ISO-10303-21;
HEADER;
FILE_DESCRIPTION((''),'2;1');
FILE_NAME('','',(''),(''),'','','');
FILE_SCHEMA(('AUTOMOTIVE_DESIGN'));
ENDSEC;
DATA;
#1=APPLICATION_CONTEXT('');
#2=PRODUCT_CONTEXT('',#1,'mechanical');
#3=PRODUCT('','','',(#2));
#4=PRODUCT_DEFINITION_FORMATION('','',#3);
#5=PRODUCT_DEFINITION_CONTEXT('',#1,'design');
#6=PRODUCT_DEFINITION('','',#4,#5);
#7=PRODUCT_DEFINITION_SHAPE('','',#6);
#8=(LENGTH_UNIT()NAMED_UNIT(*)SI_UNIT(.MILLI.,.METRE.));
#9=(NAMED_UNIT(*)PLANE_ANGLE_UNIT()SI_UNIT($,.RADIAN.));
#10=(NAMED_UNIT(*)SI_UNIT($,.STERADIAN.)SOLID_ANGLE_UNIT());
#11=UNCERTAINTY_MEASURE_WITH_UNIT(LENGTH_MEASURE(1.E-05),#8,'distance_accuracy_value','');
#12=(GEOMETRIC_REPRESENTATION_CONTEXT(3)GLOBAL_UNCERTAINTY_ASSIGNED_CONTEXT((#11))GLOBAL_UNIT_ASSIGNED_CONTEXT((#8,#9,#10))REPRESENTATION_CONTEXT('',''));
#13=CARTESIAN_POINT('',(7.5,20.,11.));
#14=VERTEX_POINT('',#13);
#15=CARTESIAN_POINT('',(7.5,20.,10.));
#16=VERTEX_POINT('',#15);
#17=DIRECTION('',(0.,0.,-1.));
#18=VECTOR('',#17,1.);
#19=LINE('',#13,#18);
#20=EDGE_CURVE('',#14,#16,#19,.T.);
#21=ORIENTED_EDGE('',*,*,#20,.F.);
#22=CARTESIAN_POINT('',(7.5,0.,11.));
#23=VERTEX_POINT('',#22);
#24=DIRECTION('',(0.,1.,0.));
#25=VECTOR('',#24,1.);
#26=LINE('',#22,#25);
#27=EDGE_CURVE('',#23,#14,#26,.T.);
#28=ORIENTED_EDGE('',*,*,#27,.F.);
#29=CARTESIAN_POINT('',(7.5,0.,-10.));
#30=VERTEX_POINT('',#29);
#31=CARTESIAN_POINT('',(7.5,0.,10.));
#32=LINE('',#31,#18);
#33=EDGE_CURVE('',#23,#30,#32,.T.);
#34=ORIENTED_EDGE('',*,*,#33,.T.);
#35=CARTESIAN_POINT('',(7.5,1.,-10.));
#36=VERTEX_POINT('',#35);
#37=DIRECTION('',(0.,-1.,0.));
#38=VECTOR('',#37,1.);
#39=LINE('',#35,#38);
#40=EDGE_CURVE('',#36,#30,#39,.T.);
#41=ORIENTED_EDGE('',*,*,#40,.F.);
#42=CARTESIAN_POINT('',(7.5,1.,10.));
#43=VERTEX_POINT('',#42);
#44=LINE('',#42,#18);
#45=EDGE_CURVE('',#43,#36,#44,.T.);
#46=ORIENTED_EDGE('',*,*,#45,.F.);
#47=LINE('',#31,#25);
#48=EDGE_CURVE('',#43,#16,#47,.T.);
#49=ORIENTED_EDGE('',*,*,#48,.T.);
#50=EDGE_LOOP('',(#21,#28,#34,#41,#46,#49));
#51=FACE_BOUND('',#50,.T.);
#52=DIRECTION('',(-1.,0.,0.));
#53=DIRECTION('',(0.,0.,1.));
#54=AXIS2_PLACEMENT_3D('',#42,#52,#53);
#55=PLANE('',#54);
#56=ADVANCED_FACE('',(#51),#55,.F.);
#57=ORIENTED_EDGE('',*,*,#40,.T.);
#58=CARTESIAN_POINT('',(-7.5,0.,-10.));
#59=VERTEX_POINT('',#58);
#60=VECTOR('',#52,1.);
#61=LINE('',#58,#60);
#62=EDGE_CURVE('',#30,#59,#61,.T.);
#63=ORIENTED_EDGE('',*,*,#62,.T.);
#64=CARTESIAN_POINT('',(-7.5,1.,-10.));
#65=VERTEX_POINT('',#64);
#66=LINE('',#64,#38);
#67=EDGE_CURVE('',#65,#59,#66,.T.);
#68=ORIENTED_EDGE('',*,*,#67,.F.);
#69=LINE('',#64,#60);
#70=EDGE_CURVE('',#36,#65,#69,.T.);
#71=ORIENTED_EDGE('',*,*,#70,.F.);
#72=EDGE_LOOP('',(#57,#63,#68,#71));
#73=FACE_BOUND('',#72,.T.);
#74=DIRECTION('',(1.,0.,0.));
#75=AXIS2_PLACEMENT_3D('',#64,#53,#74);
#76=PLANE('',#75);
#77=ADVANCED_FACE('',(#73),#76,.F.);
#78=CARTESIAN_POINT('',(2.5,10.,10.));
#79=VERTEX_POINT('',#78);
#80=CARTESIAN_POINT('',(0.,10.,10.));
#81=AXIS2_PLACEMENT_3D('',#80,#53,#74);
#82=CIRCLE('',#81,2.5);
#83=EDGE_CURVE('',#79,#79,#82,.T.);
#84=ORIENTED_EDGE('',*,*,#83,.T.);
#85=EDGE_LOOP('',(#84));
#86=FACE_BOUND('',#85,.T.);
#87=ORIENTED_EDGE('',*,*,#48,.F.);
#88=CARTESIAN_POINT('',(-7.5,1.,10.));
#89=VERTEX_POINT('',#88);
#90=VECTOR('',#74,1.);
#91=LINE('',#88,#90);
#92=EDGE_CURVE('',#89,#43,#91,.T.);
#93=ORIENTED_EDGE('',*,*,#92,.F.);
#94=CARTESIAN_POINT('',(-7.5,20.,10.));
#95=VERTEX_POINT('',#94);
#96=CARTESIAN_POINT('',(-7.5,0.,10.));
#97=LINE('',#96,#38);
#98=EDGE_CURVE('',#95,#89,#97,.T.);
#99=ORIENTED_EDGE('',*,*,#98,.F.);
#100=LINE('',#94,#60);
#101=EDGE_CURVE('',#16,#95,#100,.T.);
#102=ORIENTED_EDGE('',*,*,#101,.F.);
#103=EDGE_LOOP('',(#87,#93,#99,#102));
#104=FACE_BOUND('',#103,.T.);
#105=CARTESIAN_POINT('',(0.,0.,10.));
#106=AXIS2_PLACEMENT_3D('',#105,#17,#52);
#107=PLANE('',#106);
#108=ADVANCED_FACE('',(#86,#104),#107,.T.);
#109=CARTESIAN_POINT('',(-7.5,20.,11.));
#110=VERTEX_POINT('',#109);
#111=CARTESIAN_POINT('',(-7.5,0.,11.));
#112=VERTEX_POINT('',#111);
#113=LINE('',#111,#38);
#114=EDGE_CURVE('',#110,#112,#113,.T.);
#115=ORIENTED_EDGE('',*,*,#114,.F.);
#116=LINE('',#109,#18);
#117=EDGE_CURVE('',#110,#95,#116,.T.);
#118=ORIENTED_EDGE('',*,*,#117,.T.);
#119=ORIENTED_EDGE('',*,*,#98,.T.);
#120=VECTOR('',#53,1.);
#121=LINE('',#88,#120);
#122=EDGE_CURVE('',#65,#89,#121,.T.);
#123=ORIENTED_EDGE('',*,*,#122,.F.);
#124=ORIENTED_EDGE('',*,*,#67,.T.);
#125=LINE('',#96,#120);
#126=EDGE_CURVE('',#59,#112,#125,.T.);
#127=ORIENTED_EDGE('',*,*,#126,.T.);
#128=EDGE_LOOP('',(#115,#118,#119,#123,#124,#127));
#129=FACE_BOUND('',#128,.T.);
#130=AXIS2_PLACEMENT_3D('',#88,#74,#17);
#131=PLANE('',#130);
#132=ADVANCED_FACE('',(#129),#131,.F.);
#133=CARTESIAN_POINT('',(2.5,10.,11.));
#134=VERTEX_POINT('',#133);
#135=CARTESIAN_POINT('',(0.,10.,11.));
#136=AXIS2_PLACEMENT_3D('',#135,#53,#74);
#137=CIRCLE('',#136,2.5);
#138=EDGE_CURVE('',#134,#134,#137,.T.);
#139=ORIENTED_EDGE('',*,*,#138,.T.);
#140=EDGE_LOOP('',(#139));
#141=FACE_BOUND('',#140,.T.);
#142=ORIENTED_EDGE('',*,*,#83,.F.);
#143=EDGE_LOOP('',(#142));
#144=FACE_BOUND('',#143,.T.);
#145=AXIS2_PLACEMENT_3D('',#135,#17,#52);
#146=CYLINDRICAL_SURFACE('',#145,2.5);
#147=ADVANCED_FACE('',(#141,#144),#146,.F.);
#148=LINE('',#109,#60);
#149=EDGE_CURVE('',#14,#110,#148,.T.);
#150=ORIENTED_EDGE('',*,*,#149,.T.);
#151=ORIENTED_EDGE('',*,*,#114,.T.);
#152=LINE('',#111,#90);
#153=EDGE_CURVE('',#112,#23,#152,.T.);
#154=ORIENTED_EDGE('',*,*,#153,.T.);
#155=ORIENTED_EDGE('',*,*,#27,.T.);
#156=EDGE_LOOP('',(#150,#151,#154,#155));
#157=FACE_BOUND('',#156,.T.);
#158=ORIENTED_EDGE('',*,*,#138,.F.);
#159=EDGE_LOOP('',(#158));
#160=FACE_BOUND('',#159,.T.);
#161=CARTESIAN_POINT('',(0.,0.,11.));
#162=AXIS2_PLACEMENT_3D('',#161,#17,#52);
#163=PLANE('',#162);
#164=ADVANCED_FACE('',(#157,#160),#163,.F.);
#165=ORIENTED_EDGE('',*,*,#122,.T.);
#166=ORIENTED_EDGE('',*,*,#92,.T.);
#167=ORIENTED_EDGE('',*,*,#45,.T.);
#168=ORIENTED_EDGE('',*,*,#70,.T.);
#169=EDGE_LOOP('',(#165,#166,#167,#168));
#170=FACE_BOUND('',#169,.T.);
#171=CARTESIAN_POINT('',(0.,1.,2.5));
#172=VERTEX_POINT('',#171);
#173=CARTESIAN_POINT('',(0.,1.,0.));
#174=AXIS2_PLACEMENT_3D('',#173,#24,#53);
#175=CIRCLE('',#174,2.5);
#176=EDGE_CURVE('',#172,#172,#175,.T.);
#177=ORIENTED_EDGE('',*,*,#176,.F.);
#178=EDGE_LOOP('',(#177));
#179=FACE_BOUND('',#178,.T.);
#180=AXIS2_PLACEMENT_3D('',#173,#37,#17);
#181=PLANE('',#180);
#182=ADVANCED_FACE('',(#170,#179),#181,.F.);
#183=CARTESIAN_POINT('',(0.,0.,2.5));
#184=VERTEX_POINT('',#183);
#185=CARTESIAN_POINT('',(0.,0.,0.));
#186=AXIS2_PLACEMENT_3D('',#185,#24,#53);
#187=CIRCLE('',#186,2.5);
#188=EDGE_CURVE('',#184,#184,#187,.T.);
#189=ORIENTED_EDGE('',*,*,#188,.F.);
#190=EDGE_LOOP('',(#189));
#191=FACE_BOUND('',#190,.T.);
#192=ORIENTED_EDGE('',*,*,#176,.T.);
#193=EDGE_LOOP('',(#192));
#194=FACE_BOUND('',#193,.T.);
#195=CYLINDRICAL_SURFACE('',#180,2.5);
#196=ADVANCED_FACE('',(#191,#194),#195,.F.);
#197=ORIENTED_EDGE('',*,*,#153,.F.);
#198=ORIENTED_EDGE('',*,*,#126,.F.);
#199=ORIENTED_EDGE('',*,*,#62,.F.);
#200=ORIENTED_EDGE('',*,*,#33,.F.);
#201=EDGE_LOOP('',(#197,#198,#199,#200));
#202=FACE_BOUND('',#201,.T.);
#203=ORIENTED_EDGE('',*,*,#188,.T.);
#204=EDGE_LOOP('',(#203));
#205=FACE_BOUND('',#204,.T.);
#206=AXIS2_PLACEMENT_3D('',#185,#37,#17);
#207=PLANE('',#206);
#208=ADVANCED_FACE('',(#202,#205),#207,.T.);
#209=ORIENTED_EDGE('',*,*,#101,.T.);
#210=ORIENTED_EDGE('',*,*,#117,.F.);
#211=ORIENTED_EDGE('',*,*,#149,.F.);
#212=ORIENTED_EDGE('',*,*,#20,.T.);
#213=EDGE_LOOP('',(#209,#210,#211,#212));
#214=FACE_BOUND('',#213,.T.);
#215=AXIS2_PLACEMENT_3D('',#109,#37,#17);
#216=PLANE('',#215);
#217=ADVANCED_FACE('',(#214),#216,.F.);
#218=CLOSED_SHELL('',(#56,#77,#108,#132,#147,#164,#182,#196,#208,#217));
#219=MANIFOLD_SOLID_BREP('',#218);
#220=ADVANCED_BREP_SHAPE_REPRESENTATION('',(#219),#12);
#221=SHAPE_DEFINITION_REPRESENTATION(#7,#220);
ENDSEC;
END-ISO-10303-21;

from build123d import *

# Parameters (mm, degrees)
SKETCH1_W           = 15
SKETCH1_H           = 20
SKETCH1_R           = 2.5
BOSS_EXTRUDE1_DEPTH = 1
SKETCH2_W           = 15
SKETCH2_H           = 20
SKETCH2_R           = 2.5
BOSS_EXTRUDE2_DEPTH = 1


with BuildPart() as part:
    # Sketch1 → Boss-Extrude1 (new body)
    with BuildSketch(Plane(origin=(0, 0, 0), x_dir=(1, 0, 0), z_dir=(0, 1, 0))):
        Rectangle(SKETCH1_W, SKETCH1_H)
        with Locations(Location((0, 0, 0), (0, 0, 270))):
            Circle(SKETCH1_R, mode=Mode.SUBTRACT)
    extrude(amount=BOSS_EXTRUDE1_DEPTH)

    # Sketch2 → Boss-Extrude2 (add)
    with BuildSketch(Plane.XY.offset(10)):
        with Locations((0, 10)):
            Rectangle(SKETCH2_W, SKETCH2_H)
        with Locations((0, 10)):
            Circle(SKETCH2_R, mode=Mode.SUBTRACT)
    extrude(amount=BOSS_EXTRUDE2_DEPTH)


solid = part.part
